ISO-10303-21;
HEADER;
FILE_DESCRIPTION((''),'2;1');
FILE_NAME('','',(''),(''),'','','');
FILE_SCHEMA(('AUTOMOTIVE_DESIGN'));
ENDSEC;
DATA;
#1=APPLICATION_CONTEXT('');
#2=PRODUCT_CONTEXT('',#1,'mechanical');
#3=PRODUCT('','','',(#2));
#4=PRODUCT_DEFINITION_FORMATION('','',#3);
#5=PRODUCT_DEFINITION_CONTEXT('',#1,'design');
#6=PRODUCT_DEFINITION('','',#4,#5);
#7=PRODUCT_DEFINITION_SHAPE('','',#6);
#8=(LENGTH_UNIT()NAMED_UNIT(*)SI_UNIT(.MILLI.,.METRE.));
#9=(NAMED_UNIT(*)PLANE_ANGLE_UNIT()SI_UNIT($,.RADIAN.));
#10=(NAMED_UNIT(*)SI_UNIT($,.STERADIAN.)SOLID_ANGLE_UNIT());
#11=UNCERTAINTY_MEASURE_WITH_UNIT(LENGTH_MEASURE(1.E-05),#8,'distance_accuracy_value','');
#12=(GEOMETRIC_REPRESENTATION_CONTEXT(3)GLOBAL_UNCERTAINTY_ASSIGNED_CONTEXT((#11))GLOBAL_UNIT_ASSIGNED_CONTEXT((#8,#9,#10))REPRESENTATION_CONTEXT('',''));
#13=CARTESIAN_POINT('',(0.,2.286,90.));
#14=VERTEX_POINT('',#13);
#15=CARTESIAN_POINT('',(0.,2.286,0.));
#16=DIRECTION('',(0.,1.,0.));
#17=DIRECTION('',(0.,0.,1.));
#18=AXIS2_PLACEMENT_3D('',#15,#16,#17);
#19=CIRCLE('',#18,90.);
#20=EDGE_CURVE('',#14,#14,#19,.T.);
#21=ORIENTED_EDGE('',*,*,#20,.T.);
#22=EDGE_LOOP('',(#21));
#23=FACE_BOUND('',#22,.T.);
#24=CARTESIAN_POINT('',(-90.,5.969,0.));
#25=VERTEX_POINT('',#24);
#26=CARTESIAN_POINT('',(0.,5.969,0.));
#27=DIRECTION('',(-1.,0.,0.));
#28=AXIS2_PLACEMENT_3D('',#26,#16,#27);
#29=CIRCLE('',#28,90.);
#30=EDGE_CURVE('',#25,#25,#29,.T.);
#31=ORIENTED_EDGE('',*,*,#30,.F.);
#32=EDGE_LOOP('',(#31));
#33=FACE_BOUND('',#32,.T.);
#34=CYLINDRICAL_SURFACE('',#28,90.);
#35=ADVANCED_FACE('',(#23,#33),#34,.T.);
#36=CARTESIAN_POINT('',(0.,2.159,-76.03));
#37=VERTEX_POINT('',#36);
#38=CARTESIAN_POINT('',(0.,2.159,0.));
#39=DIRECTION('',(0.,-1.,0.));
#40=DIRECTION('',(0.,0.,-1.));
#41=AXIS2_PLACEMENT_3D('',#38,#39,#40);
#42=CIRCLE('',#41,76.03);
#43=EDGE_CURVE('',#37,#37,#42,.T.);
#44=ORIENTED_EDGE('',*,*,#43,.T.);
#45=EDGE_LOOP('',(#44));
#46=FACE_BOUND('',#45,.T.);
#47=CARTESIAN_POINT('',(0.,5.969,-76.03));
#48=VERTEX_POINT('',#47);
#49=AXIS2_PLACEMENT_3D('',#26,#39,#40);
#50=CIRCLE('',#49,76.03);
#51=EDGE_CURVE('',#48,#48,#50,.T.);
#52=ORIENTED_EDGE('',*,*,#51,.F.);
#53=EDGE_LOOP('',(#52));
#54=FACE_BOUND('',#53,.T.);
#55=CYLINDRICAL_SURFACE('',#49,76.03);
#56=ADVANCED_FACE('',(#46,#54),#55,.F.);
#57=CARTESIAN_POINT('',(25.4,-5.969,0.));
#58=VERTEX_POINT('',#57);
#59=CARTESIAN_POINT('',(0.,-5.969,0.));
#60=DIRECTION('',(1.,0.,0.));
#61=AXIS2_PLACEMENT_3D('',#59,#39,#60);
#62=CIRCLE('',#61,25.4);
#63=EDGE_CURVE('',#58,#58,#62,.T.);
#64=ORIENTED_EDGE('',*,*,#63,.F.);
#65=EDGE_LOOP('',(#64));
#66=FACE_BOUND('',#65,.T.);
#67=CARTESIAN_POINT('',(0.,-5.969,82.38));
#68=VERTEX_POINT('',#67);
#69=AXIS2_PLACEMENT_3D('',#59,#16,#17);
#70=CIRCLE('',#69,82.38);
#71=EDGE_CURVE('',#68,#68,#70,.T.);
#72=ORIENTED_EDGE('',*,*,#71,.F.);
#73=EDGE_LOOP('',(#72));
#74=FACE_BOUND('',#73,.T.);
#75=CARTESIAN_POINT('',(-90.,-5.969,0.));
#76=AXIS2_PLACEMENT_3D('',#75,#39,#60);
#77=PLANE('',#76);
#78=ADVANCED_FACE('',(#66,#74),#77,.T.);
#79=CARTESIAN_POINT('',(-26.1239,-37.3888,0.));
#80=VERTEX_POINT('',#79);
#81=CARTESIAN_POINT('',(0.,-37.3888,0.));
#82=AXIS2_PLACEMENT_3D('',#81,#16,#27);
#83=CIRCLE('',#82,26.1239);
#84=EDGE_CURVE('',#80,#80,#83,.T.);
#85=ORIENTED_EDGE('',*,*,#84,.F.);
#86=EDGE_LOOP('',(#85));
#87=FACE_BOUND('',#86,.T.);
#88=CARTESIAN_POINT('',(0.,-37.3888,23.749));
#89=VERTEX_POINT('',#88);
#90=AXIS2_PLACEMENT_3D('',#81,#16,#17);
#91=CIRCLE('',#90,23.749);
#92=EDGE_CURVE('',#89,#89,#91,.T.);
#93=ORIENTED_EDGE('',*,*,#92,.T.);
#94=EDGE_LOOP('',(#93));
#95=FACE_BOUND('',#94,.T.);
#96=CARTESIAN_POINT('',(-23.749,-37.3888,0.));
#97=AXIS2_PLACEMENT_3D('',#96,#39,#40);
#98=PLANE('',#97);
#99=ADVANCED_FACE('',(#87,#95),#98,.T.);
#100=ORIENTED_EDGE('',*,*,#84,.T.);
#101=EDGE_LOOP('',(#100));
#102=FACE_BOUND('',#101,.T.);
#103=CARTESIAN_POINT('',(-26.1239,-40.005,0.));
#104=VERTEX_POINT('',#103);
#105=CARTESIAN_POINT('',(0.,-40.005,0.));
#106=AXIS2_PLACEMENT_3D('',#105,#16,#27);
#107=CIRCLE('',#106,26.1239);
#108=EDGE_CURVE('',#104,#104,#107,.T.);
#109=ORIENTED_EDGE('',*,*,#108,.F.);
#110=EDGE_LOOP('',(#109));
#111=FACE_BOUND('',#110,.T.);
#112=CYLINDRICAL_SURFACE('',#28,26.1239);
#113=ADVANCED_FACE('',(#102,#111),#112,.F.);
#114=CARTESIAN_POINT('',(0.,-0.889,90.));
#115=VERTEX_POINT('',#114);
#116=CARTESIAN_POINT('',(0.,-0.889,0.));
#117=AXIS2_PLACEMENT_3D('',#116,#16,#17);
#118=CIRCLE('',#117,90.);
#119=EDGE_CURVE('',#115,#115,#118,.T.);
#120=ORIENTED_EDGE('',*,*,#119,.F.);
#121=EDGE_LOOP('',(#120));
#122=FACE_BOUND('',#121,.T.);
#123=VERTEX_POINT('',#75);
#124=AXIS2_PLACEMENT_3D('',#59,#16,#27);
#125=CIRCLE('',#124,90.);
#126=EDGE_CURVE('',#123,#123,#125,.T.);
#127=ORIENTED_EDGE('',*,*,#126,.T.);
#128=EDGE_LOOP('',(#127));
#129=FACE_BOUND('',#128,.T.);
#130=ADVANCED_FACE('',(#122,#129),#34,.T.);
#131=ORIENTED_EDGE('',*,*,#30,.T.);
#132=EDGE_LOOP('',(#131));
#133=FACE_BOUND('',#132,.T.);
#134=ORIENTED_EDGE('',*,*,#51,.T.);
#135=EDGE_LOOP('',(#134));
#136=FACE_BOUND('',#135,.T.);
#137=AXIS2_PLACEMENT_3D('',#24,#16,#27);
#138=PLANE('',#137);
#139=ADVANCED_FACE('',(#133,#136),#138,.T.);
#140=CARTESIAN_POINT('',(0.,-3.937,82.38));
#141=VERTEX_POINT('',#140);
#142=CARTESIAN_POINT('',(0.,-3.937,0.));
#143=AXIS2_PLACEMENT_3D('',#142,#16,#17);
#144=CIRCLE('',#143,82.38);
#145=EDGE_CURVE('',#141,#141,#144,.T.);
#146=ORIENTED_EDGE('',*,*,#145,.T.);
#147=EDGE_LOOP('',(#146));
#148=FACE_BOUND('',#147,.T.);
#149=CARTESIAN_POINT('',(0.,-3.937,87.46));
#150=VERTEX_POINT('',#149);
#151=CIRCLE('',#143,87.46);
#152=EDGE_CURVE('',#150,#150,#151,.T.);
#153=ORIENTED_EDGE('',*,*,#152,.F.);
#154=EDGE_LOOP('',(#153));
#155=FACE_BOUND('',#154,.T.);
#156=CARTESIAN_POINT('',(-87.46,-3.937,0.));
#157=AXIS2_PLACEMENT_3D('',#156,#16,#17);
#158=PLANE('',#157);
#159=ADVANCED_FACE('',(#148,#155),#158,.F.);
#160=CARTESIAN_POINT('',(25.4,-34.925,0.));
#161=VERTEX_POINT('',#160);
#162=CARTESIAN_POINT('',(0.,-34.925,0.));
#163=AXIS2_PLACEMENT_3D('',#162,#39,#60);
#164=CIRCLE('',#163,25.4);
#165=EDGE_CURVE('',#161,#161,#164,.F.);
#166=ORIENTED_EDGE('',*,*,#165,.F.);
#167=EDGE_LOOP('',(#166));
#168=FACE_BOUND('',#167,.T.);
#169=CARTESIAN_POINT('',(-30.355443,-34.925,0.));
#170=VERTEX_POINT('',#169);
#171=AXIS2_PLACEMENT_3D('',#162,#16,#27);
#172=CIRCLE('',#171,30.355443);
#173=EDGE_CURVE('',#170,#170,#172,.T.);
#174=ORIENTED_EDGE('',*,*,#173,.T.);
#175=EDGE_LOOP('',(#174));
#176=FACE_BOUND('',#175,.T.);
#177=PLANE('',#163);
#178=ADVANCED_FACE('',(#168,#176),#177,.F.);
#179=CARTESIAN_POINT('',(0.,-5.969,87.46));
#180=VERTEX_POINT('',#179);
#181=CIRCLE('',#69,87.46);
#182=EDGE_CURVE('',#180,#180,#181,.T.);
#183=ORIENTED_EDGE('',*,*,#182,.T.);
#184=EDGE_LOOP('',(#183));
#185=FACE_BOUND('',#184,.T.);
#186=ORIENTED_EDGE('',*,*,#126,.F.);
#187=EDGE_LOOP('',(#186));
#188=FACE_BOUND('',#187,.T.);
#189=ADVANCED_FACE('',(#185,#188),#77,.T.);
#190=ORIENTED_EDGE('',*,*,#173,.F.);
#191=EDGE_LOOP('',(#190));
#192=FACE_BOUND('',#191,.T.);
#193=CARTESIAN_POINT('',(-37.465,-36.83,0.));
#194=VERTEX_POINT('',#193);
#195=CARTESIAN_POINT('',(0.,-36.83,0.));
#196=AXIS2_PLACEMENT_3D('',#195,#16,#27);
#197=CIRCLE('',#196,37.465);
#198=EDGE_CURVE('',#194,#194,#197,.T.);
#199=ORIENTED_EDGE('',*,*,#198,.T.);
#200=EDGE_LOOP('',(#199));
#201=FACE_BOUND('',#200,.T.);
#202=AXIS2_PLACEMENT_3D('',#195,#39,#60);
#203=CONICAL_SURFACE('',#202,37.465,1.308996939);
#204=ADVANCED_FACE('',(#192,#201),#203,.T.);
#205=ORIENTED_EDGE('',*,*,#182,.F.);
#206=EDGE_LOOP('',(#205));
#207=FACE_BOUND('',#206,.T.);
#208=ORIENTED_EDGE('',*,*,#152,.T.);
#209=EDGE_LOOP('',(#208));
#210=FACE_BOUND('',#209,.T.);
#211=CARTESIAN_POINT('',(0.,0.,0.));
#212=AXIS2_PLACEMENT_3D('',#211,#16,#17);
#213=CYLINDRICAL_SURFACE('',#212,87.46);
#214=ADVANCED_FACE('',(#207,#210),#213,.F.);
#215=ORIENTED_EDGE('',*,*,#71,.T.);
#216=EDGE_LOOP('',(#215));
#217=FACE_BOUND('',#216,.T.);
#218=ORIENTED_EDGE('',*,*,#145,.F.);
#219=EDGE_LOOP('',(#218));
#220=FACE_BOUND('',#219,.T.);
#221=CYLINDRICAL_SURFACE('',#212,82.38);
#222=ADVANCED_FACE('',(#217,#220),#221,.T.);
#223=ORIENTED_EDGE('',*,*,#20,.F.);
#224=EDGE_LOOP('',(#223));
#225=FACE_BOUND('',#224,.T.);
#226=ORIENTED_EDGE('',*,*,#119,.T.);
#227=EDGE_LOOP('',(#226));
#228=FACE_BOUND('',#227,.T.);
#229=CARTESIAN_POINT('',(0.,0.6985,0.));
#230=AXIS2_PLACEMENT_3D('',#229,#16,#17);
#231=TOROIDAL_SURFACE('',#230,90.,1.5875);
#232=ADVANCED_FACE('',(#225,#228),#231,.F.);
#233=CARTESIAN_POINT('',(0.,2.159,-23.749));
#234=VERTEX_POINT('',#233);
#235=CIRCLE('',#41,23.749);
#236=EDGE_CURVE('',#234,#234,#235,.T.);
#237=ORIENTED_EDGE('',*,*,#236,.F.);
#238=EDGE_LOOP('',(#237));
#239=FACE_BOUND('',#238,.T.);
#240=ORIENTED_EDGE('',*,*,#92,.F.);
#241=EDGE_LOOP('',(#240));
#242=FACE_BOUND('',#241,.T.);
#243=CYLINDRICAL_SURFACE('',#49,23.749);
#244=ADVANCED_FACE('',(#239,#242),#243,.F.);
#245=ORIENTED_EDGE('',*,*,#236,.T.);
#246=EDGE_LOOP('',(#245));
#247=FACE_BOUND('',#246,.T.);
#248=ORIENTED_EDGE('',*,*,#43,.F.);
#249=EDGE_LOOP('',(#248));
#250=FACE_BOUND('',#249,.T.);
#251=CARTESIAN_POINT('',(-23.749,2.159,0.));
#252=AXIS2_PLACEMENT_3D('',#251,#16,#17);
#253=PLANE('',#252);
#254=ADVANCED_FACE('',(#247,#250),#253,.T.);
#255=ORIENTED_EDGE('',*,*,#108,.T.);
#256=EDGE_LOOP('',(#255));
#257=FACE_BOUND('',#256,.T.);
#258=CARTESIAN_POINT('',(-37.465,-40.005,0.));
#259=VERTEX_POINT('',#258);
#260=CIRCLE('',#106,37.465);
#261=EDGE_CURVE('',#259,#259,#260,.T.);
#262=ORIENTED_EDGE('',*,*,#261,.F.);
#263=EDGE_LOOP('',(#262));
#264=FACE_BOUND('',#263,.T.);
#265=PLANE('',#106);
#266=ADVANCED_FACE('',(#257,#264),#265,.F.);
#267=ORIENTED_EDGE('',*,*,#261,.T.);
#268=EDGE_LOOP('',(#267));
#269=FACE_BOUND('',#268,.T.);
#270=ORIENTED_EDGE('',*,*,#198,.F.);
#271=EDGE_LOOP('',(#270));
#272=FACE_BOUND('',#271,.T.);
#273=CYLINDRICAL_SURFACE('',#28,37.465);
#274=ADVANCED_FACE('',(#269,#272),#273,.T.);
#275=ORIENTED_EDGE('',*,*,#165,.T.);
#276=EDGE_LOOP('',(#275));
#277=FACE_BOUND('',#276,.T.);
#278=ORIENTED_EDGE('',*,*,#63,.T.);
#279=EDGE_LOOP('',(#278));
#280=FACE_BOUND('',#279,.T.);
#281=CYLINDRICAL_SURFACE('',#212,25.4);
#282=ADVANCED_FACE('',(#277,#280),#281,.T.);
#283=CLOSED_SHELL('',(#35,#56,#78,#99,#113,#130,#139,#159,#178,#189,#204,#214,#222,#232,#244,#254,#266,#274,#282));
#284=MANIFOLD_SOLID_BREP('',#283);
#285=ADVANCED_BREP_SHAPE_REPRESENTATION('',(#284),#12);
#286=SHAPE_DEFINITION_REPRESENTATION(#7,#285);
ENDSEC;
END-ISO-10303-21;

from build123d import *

# Parameters (mm, degrees)
SKETCH1_W  = 89.999999997
SKETCH1_H  = 11.938
SKETCH13_W = 5.08
SKETCH13_H = 2.032


with BuildPart() as part:
    # Sketch1 → Blank (revolve)
    with BuildSketch(Plane.XY):
        with Locations((-44.999999999, 0)):
            Rectangle(SKETCH1_W, SKETCH1_H)
    revolve(axis=Axis((0, 5.969, 0), (0, -1, 0)))

    # Sketch7 → Single Side Bore (revolve, cut)
    with BuildSketch(Plane.XY, mode=Mode.PRIVATE) as single_side_bore_sk:
        Polygon((-23.749, -5.969), (-23.749, 2.159), (-76.029999997, 2.159), (-76.029999997, 5.969), (0, 5.969), (0, -5.969), align=None)
    revolve(single_side_bore_sk.sketch.rotate(Axis((0, 5.969, 0), (0, 1, 0)), 270), axis=Axis((0, 5.969, 0), (0, 1, 0)), mode=Mode.SUBTRACT)



with BuildPart() as body_2:
    # Sketch9 → KF Flange (revolve)
    with BuildSketch(Plane.XY, mode=Mode.PRIVATE) as kf_flange_sk:
        Polygon((30.355443212, -34.925), (23.749, -34.925), (23.749, -37.3888), (26.1239, -37.3888), (26.1239, -40.005), (37.465, -40.005), (37.465, -36.83), align=None)
    revolve(kf_flange_sk.sketch.rotate(Axis((0, 5.969, 0), (0, -1, 0)), 180), axis=Axis((0, 5.969, 0), (0, -1, 0)))


with BuildPart() as part_1:
    add(part.part)

    add(body_2.part)  # Revolve1 merges body 2
    # Sketch8 → Revolve1 (revolve)
    with BuildSketch(Plane.XY, mode=Mode.PRIVATE) as revolve1_sk:
        Polygon((-23.749, 2.159), (-23.749, -13.081), (-23.749, -22.1488), (-23.749, -37.3888), (-25.4, -37.3888), (-25.4, -22.1488), (-25.4, -13.081), (-25.4, 2.159), align=None)
    revolve(revolve1_sk.sketch.rotate(Axis((0, 0, 0), (0, -1, 0)), 180), axis=Axis((0, 0, 0), (0, -1, 0)))

    # Sketch13 → Cut-Revolve2 (revolve, cut)
    with BuildSketch(Plane.XY, mode=Mode.PRIVATE) as cut_revolve2_sk:
        with Locations((-84.919999997, -4.953)):
            Rectangle(SKETCH13_W, SKETCH13_H)
    revolve(cut_revolve2_sk.sketch.rotate(Axis((0, 0, 0), (0, -1, 0)), 270), axis=Axis((0, 0, 0), (0, -1, 0)), mode=Mode.SUBTRACT)

    # Sketch15 → Cut-Revolve3 (revolve, cut)
    with BuildSketch(Plane.XY):
        with BuildLine():
            Line((-89.999999997, 2.286), (-89.999999997, -0.889))
            ThreePointArc((-89.999999997, -0.889), (-88.412499997, 0.6985), (-89.999999997, 2.286))
        make_face()
    revolve(axis=Axis((0, 0, 0), (0, -1, 0)), mode=Mode.SUBTRACT)


solid = part_1.part
